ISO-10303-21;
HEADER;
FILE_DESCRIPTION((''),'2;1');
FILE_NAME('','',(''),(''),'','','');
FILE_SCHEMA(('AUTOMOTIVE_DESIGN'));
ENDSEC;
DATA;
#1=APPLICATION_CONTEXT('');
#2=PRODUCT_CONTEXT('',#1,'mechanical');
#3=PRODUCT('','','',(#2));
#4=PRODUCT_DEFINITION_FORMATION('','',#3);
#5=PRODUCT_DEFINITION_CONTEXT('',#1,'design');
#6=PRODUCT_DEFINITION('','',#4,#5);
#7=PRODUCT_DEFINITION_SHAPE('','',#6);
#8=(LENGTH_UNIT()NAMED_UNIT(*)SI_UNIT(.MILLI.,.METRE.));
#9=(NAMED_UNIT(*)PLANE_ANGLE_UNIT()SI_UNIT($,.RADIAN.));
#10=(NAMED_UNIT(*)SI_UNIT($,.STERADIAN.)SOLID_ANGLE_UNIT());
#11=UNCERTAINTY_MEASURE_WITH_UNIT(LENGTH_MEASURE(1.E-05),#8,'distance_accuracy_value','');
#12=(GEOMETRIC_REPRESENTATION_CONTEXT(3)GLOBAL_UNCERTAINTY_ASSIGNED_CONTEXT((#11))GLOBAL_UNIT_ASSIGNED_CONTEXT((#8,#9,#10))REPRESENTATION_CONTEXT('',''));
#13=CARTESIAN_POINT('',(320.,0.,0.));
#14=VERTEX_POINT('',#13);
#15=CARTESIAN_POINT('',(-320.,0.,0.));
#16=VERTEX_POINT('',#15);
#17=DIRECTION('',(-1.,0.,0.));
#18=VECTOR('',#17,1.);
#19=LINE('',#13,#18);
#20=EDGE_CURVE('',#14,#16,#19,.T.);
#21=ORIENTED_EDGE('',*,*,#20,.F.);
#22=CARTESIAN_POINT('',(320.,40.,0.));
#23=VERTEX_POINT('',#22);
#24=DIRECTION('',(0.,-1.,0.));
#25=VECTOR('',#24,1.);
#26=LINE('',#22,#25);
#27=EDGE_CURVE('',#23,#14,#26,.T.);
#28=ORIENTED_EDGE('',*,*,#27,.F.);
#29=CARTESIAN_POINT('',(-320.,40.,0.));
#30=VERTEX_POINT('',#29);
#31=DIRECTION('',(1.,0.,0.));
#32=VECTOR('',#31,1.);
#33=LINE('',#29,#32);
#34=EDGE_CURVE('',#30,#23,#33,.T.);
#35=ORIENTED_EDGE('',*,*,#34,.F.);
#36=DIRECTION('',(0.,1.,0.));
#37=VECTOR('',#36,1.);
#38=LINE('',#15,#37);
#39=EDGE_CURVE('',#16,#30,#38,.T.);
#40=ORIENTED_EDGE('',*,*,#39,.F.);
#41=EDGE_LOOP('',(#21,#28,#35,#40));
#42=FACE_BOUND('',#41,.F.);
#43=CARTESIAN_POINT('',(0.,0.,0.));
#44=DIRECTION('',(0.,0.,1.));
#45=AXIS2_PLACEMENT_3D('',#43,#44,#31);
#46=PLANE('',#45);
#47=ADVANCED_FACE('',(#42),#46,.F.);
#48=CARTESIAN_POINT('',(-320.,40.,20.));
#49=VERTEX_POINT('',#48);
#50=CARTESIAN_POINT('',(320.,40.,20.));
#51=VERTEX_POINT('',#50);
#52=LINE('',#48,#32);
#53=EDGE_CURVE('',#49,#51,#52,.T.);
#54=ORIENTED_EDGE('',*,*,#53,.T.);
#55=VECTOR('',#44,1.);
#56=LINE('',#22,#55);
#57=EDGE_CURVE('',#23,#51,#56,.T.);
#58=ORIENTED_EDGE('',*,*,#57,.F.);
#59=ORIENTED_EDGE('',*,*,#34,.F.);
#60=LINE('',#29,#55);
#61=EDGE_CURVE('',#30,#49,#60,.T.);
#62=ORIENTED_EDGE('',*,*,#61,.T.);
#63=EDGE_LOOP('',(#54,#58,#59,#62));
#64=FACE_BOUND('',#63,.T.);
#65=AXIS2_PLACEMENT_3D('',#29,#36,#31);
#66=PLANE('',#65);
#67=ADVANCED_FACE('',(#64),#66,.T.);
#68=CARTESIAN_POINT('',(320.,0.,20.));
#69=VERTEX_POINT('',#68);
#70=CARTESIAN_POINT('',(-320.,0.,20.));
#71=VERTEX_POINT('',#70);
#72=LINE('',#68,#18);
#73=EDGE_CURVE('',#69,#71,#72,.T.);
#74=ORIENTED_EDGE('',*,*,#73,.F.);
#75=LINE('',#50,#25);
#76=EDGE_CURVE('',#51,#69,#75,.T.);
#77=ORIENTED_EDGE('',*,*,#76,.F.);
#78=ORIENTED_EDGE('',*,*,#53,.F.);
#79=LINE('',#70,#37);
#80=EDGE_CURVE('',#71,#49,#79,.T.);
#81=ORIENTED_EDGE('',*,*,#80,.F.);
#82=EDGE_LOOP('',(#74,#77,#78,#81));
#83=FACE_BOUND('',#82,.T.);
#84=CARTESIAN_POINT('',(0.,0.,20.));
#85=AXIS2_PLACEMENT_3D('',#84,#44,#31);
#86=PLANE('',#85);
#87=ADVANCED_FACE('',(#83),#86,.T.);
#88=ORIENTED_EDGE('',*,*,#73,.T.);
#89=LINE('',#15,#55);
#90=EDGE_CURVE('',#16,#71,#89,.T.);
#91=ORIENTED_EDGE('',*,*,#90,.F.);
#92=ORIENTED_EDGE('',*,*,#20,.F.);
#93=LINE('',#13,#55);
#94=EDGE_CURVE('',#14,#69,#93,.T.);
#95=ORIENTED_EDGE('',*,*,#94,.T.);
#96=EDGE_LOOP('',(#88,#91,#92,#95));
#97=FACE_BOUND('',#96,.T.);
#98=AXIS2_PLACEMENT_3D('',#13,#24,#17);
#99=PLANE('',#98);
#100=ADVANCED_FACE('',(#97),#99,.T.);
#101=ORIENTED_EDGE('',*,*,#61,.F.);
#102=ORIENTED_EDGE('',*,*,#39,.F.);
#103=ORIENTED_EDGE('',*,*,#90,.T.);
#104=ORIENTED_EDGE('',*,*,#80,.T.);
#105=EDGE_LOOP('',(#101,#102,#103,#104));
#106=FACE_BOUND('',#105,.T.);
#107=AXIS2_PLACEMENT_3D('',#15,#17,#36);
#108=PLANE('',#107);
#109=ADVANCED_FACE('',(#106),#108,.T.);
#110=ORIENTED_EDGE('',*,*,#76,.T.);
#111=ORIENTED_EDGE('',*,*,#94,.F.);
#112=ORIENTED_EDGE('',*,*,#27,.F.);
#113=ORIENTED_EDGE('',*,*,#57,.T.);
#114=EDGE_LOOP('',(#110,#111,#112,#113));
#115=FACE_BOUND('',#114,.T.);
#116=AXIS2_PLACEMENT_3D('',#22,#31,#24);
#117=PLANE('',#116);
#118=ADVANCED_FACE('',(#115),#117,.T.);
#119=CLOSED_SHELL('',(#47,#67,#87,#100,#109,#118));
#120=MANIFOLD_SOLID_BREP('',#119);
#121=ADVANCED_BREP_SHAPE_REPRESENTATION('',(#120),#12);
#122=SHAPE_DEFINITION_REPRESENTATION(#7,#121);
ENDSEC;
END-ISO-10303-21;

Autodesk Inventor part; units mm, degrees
ref_plane "YZ Plane" through (0, 0, 0) normal (1, 0, 0) x (0, 1, 0)
ref_plane "XZ Plane" through (0, 0, 0) normal (0, 1, 0) x (-1, 0, 0)
ref_plane "XY Plane" through (0, 0, 0) normal (0, 0, 1) x (1, 0, 0)
sketch "Sketch1" plane through (0, 0, 0) normal (0, 0, 1) x (1, 0, 0)
  line L0 (-320, 40) -> (320, 40)
  line L1 (320, 40) -> (320, 0)
  line L2 (320, 0) -> (-320, 0)
  line L3 (-320, 0) -> (-320, 40)
  point P0 (0, 0)
  point P1 (0, 0)
  dimension "d0" = 640
  dimension "d3" = 40
extrude "Extrusion1" add sketch "Sketch1" along normal blind 20
